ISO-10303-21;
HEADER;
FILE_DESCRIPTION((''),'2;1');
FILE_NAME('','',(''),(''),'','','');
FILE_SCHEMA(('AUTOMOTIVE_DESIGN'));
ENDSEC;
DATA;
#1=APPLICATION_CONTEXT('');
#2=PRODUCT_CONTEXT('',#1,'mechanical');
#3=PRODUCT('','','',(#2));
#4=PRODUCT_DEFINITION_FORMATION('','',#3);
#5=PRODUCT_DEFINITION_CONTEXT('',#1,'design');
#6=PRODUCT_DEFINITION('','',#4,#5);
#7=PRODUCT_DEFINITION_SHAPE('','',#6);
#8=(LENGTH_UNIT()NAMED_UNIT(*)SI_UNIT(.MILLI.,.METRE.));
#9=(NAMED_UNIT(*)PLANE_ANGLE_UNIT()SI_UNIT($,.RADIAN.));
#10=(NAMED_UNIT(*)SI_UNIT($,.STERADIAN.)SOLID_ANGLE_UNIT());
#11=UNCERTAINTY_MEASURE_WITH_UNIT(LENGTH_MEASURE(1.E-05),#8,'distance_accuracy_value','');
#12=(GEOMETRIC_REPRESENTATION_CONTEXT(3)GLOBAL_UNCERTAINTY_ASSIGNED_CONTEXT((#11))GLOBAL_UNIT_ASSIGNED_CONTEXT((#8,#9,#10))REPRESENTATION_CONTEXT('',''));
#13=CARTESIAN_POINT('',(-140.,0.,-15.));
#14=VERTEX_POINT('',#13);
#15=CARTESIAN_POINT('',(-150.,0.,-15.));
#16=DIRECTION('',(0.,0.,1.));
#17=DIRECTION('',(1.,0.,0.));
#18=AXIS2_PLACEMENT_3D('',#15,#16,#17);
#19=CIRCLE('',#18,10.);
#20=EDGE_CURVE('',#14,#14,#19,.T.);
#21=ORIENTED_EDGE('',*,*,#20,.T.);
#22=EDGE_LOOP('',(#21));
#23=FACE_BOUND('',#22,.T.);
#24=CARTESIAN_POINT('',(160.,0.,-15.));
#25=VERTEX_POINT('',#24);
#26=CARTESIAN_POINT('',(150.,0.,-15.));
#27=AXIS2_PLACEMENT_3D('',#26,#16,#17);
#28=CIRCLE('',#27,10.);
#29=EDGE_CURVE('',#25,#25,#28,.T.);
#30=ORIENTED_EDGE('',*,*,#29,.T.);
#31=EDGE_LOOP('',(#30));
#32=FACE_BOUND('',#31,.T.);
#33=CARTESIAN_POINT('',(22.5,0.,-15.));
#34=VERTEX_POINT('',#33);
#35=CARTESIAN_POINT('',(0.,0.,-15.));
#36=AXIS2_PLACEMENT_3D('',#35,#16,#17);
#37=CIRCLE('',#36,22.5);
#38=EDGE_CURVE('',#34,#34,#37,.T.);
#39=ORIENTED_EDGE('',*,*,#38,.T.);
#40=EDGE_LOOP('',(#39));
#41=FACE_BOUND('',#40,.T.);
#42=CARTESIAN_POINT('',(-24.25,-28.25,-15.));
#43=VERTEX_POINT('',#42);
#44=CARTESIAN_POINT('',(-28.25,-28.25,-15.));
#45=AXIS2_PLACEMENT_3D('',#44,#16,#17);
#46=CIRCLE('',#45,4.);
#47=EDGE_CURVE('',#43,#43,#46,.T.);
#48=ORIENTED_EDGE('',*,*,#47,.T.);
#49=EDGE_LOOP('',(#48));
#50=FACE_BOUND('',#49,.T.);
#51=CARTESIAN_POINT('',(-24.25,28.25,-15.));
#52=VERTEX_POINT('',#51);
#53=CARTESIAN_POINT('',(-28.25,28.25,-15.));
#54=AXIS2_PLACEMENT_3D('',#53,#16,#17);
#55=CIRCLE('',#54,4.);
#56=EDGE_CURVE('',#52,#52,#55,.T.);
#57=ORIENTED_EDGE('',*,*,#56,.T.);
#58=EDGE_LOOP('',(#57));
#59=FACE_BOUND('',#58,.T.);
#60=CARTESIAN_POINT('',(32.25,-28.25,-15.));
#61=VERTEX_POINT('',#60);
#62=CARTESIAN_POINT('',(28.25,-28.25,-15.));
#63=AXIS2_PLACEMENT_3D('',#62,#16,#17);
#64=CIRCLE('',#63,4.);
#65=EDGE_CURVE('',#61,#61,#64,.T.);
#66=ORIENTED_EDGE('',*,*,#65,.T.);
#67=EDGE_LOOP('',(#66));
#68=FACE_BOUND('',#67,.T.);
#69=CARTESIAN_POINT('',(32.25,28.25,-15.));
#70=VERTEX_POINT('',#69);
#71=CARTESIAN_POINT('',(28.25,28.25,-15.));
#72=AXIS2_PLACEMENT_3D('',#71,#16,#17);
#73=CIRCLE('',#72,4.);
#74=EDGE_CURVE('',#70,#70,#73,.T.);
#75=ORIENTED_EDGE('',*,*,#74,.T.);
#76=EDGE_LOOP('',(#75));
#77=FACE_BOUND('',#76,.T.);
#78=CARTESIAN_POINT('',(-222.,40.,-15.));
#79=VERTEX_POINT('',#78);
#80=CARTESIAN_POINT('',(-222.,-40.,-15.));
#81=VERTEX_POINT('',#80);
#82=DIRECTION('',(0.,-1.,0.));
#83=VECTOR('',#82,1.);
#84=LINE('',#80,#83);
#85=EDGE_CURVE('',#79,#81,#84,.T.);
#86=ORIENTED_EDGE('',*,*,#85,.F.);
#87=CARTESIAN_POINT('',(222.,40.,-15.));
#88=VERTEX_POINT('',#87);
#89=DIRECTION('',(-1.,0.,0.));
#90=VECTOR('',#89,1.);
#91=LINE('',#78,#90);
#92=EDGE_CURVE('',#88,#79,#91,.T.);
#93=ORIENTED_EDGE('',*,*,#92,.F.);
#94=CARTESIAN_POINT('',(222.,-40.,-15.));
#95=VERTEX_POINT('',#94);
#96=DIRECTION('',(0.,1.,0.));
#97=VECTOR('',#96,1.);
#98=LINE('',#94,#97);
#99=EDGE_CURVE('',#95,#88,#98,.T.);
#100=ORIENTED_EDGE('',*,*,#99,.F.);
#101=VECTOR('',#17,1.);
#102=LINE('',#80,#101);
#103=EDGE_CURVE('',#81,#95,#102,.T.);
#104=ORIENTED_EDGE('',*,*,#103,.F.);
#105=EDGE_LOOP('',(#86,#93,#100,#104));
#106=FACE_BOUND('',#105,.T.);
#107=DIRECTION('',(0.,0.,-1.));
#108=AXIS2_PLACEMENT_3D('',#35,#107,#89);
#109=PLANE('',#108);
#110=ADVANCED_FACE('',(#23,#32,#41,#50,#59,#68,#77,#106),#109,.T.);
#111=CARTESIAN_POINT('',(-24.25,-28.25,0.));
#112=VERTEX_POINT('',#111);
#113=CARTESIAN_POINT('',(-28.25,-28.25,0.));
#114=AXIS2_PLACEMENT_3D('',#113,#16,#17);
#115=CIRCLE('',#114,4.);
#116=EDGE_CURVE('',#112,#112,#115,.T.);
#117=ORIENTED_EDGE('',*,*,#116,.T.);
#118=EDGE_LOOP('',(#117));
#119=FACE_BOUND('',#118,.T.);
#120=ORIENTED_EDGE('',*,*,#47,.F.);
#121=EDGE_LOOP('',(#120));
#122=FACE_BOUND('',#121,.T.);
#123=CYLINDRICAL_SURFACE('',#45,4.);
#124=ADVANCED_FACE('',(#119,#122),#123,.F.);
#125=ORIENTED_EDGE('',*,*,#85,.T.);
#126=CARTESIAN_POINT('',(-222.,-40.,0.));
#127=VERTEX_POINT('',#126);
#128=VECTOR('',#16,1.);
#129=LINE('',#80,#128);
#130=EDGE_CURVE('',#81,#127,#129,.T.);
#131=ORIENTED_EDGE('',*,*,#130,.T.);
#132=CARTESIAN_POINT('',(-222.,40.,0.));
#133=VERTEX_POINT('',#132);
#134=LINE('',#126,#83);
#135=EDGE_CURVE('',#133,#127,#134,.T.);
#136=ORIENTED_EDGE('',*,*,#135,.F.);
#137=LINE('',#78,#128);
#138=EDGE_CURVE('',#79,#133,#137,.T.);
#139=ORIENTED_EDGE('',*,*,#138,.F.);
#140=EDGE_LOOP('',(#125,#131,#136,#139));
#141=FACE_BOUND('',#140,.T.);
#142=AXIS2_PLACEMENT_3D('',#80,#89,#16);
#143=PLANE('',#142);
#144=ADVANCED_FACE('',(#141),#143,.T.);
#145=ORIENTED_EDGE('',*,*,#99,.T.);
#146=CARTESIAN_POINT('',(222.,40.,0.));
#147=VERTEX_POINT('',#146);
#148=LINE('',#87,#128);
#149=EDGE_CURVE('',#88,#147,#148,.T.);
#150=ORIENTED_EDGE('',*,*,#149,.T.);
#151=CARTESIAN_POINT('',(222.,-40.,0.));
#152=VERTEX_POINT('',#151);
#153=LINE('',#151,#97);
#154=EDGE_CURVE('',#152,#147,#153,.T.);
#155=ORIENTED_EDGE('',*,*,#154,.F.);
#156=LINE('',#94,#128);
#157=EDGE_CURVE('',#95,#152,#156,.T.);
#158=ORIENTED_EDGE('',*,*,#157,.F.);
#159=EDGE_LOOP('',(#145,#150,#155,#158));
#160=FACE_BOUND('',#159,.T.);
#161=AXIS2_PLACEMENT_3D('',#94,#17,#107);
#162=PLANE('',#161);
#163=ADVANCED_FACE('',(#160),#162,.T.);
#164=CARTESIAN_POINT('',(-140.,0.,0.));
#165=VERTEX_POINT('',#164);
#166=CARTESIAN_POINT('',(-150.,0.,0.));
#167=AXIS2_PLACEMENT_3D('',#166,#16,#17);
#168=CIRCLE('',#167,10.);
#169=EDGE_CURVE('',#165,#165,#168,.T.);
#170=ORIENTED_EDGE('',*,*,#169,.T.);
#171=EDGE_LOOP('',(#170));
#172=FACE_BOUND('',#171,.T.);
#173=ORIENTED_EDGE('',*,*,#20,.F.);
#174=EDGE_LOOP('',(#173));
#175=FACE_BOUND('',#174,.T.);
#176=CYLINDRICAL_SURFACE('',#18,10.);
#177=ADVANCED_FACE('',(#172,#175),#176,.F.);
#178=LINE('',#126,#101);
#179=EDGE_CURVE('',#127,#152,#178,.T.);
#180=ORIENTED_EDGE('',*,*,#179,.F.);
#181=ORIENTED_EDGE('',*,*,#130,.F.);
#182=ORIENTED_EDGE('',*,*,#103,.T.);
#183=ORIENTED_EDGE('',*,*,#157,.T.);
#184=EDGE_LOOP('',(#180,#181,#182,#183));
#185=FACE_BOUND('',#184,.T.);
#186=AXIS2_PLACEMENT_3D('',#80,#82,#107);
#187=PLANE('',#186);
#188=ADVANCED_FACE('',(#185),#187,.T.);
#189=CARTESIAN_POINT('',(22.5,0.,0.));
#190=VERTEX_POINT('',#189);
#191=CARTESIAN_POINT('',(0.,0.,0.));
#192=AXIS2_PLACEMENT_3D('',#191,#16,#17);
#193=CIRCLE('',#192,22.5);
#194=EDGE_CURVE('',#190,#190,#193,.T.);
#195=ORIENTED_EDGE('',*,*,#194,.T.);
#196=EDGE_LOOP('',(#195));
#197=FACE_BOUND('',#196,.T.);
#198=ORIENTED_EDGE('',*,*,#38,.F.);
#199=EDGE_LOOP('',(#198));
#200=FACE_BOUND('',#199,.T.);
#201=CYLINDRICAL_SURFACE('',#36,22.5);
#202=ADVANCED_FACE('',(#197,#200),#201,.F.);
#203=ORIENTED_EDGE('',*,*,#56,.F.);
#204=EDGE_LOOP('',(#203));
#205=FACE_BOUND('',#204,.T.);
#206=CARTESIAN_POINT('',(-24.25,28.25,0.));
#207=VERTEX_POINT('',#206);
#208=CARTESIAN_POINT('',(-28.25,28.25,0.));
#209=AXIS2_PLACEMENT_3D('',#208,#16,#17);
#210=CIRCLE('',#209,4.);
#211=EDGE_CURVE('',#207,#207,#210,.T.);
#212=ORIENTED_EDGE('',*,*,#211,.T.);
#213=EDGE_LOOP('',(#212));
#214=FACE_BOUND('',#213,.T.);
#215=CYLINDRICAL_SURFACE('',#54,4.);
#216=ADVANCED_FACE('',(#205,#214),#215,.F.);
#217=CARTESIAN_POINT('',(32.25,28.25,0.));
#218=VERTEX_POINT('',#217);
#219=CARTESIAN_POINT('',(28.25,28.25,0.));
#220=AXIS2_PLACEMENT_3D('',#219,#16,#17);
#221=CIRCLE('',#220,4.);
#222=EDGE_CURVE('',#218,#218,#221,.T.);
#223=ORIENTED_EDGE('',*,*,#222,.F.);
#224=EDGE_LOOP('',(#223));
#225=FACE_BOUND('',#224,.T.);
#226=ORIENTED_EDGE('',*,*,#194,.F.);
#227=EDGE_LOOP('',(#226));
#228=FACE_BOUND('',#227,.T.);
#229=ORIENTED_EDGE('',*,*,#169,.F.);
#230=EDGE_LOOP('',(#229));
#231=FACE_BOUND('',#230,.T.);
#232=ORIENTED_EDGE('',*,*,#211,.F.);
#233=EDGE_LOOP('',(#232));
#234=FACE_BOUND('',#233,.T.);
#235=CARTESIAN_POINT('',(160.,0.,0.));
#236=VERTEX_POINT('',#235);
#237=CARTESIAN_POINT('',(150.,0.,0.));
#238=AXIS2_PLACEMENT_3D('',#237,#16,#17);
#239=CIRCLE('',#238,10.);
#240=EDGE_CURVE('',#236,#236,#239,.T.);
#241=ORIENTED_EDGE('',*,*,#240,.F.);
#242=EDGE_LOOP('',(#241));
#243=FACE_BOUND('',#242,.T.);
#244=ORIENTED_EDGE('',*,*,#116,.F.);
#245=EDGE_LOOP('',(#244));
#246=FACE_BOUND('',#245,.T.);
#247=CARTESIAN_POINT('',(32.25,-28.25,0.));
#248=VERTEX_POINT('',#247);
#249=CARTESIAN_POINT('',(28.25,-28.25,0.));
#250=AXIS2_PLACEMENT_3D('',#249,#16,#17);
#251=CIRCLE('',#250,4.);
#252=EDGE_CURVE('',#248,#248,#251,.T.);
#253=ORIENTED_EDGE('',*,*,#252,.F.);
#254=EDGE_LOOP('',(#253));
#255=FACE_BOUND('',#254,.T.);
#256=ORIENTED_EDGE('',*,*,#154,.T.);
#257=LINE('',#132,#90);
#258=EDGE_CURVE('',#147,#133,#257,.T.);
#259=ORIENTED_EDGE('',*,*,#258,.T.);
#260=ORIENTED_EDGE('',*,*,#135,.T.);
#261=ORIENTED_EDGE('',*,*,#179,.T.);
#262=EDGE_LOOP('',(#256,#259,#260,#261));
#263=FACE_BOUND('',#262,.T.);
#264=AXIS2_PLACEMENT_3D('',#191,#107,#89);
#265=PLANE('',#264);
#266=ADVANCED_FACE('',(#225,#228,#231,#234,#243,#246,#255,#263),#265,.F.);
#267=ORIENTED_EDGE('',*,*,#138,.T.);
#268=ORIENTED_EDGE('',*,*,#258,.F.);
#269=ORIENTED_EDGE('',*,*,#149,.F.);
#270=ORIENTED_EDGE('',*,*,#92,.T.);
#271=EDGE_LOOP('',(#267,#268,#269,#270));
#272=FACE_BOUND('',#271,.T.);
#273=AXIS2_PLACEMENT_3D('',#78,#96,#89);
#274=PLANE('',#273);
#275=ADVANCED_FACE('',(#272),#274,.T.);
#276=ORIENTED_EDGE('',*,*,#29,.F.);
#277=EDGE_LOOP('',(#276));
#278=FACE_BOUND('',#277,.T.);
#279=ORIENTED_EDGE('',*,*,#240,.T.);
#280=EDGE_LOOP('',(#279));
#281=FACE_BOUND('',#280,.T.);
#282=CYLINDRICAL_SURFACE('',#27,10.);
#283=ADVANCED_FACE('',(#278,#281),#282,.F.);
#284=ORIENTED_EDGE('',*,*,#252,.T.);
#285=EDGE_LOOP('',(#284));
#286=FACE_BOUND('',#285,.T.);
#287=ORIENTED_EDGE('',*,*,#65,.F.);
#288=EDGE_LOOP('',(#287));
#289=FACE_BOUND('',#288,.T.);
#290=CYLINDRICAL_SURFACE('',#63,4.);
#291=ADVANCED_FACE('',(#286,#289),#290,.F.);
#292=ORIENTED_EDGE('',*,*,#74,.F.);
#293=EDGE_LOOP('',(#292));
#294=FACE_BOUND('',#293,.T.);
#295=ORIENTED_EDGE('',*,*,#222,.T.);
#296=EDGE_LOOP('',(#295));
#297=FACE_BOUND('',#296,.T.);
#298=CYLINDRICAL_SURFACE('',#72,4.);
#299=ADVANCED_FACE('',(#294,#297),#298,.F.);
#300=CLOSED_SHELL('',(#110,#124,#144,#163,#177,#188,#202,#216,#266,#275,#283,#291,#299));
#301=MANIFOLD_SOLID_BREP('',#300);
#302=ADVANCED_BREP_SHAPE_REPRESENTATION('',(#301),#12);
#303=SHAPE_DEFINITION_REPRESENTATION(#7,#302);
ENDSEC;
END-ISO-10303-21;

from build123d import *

# Parameters (mm, degrees)
CROQUIS1_W              = 444
CROQUIS1_H              = 80
CROQUIS1_R              = 22.5
CROQUIS1_R_2            = 4
CROQUIS1_R_3            = 10
SALIENTE_EXTRUIR1_DEPTH = 15


with BuildPart() as part:
    # Croquis1 → Saliente-Extruir1 (new body)
    with BuildSketch(Plane.XY):
        Rectangle(CROQUIS1_W, CROQUIS1_H)
        Circle(CROQUIS1_R, mode=Mode.SUBTRACT)
        with Locations((28.25, 28.25)):
            Circle(CROQUIS1_R_2, mode=Mode.SUBTRACT)
        with Locations((-28.25, 28.25)):
            Circle(CROQUIS1_R_2, mode=Mode.SUBTRACT)
        with Locations((28.25, -28.25)):
            Circle(CROQUIS1_R_2, mode=Mode.SUBTRACT)
        with Locations((-28.25, -28.25)):
            Circle(CROQUIS1_R_2, mode=Mode.SUBTRACT)
        with Locations((-150, 0)):
            Circle(CROQUIS1_R_3, mode=Mode.SUBTRACT)
        with Locations((150, 0)):
            Circle(CROQUIS1_R_3, mode=Mode.SUBTRACT)
    extrude(amount=-SALIENTE_EXTRUIR1_DEPTH)


solid = part.part
